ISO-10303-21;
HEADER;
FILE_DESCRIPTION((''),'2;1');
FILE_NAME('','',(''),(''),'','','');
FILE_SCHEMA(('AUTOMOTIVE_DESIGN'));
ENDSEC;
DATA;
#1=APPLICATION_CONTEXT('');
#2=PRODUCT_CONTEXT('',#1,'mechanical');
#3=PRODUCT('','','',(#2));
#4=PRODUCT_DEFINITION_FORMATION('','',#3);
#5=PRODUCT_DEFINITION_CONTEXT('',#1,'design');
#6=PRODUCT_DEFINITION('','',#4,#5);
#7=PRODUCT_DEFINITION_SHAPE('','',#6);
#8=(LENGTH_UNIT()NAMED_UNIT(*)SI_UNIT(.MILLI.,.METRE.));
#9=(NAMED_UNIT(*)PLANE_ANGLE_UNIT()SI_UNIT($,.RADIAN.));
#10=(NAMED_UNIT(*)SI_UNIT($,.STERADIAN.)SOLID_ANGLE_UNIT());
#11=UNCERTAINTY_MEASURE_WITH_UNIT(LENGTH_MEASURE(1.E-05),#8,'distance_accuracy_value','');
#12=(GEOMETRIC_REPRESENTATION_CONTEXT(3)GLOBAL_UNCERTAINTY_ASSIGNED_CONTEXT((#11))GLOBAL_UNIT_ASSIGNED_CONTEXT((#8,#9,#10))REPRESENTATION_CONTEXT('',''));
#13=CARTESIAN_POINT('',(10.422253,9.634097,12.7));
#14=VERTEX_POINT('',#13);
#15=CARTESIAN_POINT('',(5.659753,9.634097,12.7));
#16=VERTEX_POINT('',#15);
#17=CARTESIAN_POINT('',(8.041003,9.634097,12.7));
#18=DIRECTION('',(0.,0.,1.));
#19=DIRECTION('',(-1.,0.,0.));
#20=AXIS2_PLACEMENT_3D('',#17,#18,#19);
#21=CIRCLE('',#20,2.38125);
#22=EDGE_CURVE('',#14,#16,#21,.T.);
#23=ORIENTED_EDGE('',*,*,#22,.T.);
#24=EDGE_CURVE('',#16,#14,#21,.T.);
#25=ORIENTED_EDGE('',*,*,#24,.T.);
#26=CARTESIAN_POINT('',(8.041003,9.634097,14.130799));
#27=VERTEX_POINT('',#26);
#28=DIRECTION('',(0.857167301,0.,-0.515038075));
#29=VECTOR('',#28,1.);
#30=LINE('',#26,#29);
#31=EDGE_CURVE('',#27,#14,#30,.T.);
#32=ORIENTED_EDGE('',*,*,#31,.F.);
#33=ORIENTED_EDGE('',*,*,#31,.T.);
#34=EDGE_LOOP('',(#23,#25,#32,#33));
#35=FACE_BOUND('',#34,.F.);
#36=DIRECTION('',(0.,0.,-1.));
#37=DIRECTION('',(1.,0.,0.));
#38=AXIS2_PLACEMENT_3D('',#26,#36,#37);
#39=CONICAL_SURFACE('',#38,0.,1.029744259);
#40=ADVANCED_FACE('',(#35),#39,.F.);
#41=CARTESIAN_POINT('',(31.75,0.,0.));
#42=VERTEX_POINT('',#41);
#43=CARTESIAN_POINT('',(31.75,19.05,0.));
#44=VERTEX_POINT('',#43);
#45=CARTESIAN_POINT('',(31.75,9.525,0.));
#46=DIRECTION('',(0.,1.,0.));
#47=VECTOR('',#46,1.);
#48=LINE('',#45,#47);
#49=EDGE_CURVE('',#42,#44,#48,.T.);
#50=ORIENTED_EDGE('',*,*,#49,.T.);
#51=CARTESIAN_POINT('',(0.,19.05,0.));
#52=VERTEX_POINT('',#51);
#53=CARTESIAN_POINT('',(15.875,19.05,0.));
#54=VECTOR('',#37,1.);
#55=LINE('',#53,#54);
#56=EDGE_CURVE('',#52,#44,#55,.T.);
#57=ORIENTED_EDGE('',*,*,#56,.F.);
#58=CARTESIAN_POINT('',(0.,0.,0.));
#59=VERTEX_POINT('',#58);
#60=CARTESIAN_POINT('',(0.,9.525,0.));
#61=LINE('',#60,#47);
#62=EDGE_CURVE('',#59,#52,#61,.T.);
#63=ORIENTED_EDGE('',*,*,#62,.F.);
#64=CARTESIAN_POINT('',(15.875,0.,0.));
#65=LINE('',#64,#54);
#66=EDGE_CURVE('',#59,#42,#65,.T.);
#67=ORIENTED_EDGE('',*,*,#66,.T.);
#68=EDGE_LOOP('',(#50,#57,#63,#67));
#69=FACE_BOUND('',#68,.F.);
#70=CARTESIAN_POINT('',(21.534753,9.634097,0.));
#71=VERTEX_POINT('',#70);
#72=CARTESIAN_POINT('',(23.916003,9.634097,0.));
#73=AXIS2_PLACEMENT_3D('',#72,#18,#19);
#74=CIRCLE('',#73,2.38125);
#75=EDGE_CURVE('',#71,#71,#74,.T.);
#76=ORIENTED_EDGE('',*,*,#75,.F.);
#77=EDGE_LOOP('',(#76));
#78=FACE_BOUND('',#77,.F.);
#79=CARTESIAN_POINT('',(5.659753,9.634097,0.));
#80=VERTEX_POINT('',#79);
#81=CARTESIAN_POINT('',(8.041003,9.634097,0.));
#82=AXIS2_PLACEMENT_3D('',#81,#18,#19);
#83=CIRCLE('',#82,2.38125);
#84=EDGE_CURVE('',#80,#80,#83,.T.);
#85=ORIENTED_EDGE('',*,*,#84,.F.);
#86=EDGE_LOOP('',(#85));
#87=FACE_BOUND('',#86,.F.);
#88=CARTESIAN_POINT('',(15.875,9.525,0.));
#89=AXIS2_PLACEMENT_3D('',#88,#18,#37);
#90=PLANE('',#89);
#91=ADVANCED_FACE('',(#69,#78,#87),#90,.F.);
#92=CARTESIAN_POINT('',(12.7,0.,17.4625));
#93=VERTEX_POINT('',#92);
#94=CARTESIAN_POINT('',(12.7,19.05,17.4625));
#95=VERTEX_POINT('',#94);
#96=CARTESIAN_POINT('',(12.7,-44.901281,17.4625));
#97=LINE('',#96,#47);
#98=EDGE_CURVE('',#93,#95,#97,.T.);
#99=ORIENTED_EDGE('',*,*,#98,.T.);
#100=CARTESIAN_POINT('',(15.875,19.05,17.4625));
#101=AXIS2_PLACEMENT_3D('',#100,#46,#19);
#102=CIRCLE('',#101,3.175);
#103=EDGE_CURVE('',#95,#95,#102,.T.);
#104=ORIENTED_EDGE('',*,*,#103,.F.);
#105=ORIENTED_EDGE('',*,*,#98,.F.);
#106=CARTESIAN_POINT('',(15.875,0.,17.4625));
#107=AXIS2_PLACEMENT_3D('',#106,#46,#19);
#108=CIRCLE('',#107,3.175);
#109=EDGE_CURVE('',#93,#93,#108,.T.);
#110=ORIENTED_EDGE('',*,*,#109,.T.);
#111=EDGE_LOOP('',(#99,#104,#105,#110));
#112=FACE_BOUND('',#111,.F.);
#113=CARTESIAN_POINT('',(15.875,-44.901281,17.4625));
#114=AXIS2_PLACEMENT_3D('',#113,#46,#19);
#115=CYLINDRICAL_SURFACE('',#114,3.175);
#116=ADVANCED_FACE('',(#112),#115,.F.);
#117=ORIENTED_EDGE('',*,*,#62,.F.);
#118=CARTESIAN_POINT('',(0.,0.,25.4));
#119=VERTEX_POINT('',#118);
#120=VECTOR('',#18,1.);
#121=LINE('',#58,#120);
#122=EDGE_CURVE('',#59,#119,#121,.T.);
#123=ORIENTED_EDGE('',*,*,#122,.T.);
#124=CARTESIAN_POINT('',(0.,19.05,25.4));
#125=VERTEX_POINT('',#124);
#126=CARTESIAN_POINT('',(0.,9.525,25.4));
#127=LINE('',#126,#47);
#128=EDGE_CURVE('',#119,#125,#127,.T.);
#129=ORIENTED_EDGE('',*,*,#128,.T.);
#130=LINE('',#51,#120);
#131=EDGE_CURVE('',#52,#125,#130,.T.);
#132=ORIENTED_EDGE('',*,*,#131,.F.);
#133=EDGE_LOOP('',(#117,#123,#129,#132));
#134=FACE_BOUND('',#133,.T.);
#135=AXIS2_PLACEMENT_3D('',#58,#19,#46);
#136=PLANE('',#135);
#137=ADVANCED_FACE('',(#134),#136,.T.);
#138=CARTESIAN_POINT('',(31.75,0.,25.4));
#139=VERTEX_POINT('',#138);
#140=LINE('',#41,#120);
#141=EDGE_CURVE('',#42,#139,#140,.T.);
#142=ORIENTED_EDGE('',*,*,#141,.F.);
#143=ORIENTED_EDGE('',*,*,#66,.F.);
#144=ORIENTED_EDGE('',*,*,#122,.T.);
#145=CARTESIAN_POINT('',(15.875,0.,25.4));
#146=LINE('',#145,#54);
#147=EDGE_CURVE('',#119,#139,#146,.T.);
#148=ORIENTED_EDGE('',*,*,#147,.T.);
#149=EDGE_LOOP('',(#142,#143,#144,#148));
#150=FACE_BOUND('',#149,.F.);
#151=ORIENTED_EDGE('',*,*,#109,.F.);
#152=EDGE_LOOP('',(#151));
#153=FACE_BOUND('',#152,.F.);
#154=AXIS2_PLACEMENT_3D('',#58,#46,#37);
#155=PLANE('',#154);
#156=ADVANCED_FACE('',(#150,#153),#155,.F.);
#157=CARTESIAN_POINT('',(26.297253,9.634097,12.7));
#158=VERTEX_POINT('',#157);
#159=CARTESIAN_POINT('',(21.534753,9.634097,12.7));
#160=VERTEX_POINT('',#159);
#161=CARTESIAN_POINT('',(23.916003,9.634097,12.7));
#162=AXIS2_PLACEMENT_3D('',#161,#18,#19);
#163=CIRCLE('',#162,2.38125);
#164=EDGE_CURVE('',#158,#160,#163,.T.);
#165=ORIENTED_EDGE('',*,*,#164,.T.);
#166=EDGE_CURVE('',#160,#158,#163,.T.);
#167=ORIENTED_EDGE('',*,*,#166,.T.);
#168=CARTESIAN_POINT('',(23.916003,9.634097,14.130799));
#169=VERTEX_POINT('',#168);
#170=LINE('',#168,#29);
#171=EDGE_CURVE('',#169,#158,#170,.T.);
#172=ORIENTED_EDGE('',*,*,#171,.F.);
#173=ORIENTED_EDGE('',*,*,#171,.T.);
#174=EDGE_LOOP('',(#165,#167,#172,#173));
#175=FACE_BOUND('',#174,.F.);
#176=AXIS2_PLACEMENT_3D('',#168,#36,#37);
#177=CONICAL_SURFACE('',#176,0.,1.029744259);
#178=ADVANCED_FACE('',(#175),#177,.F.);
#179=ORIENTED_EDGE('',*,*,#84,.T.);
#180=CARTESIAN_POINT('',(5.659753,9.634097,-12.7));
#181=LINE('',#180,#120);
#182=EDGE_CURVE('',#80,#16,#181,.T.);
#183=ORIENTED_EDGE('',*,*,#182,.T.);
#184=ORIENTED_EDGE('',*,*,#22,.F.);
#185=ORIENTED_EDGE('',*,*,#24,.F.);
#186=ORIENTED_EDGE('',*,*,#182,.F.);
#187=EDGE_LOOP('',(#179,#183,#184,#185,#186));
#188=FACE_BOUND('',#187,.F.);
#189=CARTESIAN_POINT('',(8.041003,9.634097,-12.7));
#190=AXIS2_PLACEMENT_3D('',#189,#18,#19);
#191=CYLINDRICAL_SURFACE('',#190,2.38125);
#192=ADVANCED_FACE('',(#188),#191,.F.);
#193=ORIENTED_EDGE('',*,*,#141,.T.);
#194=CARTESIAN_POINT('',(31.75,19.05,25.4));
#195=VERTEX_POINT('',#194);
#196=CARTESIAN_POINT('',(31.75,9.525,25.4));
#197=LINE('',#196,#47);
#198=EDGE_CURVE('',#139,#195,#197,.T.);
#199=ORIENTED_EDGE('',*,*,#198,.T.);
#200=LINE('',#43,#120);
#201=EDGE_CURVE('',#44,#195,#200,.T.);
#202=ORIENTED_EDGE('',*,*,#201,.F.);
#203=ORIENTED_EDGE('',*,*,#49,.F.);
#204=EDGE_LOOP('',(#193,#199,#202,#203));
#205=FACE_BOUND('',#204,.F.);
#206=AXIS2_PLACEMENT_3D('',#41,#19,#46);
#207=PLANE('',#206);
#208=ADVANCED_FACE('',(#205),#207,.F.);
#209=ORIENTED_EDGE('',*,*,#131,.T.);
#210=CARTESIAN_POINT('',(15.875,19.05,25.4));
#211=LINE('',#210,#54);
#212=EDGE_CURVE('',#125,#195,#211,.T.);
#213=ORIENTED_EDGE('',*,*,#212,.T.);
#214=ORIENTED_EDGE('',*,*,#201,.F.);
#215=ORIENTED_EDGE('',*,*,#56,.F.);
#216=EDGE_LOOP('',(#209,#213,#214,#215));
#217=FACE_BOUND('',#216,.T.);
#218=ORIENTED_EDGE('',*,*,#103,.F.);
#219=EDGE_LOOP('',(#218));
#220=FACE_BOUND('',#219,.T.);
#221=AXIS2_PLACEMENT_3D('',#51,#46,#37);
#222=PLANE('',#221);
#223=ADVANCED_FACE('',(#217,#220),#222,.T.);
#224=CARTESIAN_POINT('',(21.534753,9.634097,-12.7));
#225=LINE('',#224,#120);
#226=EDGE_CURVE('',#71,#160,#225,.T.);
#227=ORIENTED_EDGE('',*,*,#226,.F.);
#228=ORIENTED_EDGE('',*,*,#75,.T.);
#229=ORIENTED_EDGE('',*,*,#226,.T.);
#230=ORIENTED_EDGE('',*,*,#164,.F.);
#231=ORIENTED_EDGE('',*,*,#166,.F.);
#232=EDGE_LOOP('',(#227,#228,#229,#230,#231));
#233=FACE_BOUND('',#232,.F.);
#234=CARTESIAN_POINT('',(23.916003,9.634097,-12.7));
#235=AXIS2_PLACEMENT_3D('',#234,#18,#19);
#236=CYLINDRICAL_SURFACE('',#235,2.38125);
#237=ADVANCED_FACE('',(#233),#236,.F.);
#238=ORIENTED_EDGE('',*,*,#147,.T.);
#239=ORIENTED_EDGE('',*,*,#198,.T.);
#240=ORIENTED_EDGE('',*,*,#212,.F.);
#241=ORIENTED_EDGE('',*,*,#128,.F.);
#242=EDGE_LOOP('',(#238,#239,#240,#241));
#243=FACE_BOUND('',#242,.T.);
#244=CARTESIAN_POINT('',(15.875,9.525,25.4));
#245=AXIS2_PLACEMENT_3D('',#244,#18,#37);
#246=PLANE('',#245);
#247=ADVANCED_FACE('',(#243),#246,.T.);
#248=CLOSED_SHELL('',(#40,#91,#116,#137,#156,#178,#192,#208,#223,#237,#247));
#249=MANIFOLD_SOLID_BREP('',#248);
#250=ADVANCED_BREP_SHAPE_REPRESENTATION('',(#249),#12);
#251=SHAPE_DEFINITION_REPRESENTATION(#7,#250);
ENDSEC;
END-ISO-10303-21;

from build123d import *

# Parameters (mm, degrees)
F0_W     = 31.75
F0_H     = 19.05
F1_DEPTH = 25.4
F3_D     = 4.7625
F3_DEPTH = 12.7
F3_TIP   = 1.4307993491
F5_D     = 6.35


with BuildPart() as f1:
    # F0 (on Top) → F1 (new body)
    with BuildSketch(Plane.XY):
        with Locations((15.875, 9.525)):
            Rectangle(F0_W, F0_H)
    extrude(amount=F1_DEPTH)

    # F3
    with Locations(Plane(origin=(0, 0, 0), x_dir=(1, 0, 0), z_dir=(0, 0, -1))):
        with Locations((8.041003041, -9.6340968012), (23.916003041, -9.6340968012)):
            Hole(F3_D / 2, depth=F3_DEPTH)
            with Locations((0, 0, -(F3_DEPTH + F3_TIP / 2))):  # 118° drill point
                Cone(0, F3_D / 2, F3_TIP, mode=Mode.SUBTRACT)

    # F5 (through all)
    with Locations(Plane.XZ):
        with Locations((15.875, 17.4625)):
            Hole(F5_D / 2)


solid = f1.part
